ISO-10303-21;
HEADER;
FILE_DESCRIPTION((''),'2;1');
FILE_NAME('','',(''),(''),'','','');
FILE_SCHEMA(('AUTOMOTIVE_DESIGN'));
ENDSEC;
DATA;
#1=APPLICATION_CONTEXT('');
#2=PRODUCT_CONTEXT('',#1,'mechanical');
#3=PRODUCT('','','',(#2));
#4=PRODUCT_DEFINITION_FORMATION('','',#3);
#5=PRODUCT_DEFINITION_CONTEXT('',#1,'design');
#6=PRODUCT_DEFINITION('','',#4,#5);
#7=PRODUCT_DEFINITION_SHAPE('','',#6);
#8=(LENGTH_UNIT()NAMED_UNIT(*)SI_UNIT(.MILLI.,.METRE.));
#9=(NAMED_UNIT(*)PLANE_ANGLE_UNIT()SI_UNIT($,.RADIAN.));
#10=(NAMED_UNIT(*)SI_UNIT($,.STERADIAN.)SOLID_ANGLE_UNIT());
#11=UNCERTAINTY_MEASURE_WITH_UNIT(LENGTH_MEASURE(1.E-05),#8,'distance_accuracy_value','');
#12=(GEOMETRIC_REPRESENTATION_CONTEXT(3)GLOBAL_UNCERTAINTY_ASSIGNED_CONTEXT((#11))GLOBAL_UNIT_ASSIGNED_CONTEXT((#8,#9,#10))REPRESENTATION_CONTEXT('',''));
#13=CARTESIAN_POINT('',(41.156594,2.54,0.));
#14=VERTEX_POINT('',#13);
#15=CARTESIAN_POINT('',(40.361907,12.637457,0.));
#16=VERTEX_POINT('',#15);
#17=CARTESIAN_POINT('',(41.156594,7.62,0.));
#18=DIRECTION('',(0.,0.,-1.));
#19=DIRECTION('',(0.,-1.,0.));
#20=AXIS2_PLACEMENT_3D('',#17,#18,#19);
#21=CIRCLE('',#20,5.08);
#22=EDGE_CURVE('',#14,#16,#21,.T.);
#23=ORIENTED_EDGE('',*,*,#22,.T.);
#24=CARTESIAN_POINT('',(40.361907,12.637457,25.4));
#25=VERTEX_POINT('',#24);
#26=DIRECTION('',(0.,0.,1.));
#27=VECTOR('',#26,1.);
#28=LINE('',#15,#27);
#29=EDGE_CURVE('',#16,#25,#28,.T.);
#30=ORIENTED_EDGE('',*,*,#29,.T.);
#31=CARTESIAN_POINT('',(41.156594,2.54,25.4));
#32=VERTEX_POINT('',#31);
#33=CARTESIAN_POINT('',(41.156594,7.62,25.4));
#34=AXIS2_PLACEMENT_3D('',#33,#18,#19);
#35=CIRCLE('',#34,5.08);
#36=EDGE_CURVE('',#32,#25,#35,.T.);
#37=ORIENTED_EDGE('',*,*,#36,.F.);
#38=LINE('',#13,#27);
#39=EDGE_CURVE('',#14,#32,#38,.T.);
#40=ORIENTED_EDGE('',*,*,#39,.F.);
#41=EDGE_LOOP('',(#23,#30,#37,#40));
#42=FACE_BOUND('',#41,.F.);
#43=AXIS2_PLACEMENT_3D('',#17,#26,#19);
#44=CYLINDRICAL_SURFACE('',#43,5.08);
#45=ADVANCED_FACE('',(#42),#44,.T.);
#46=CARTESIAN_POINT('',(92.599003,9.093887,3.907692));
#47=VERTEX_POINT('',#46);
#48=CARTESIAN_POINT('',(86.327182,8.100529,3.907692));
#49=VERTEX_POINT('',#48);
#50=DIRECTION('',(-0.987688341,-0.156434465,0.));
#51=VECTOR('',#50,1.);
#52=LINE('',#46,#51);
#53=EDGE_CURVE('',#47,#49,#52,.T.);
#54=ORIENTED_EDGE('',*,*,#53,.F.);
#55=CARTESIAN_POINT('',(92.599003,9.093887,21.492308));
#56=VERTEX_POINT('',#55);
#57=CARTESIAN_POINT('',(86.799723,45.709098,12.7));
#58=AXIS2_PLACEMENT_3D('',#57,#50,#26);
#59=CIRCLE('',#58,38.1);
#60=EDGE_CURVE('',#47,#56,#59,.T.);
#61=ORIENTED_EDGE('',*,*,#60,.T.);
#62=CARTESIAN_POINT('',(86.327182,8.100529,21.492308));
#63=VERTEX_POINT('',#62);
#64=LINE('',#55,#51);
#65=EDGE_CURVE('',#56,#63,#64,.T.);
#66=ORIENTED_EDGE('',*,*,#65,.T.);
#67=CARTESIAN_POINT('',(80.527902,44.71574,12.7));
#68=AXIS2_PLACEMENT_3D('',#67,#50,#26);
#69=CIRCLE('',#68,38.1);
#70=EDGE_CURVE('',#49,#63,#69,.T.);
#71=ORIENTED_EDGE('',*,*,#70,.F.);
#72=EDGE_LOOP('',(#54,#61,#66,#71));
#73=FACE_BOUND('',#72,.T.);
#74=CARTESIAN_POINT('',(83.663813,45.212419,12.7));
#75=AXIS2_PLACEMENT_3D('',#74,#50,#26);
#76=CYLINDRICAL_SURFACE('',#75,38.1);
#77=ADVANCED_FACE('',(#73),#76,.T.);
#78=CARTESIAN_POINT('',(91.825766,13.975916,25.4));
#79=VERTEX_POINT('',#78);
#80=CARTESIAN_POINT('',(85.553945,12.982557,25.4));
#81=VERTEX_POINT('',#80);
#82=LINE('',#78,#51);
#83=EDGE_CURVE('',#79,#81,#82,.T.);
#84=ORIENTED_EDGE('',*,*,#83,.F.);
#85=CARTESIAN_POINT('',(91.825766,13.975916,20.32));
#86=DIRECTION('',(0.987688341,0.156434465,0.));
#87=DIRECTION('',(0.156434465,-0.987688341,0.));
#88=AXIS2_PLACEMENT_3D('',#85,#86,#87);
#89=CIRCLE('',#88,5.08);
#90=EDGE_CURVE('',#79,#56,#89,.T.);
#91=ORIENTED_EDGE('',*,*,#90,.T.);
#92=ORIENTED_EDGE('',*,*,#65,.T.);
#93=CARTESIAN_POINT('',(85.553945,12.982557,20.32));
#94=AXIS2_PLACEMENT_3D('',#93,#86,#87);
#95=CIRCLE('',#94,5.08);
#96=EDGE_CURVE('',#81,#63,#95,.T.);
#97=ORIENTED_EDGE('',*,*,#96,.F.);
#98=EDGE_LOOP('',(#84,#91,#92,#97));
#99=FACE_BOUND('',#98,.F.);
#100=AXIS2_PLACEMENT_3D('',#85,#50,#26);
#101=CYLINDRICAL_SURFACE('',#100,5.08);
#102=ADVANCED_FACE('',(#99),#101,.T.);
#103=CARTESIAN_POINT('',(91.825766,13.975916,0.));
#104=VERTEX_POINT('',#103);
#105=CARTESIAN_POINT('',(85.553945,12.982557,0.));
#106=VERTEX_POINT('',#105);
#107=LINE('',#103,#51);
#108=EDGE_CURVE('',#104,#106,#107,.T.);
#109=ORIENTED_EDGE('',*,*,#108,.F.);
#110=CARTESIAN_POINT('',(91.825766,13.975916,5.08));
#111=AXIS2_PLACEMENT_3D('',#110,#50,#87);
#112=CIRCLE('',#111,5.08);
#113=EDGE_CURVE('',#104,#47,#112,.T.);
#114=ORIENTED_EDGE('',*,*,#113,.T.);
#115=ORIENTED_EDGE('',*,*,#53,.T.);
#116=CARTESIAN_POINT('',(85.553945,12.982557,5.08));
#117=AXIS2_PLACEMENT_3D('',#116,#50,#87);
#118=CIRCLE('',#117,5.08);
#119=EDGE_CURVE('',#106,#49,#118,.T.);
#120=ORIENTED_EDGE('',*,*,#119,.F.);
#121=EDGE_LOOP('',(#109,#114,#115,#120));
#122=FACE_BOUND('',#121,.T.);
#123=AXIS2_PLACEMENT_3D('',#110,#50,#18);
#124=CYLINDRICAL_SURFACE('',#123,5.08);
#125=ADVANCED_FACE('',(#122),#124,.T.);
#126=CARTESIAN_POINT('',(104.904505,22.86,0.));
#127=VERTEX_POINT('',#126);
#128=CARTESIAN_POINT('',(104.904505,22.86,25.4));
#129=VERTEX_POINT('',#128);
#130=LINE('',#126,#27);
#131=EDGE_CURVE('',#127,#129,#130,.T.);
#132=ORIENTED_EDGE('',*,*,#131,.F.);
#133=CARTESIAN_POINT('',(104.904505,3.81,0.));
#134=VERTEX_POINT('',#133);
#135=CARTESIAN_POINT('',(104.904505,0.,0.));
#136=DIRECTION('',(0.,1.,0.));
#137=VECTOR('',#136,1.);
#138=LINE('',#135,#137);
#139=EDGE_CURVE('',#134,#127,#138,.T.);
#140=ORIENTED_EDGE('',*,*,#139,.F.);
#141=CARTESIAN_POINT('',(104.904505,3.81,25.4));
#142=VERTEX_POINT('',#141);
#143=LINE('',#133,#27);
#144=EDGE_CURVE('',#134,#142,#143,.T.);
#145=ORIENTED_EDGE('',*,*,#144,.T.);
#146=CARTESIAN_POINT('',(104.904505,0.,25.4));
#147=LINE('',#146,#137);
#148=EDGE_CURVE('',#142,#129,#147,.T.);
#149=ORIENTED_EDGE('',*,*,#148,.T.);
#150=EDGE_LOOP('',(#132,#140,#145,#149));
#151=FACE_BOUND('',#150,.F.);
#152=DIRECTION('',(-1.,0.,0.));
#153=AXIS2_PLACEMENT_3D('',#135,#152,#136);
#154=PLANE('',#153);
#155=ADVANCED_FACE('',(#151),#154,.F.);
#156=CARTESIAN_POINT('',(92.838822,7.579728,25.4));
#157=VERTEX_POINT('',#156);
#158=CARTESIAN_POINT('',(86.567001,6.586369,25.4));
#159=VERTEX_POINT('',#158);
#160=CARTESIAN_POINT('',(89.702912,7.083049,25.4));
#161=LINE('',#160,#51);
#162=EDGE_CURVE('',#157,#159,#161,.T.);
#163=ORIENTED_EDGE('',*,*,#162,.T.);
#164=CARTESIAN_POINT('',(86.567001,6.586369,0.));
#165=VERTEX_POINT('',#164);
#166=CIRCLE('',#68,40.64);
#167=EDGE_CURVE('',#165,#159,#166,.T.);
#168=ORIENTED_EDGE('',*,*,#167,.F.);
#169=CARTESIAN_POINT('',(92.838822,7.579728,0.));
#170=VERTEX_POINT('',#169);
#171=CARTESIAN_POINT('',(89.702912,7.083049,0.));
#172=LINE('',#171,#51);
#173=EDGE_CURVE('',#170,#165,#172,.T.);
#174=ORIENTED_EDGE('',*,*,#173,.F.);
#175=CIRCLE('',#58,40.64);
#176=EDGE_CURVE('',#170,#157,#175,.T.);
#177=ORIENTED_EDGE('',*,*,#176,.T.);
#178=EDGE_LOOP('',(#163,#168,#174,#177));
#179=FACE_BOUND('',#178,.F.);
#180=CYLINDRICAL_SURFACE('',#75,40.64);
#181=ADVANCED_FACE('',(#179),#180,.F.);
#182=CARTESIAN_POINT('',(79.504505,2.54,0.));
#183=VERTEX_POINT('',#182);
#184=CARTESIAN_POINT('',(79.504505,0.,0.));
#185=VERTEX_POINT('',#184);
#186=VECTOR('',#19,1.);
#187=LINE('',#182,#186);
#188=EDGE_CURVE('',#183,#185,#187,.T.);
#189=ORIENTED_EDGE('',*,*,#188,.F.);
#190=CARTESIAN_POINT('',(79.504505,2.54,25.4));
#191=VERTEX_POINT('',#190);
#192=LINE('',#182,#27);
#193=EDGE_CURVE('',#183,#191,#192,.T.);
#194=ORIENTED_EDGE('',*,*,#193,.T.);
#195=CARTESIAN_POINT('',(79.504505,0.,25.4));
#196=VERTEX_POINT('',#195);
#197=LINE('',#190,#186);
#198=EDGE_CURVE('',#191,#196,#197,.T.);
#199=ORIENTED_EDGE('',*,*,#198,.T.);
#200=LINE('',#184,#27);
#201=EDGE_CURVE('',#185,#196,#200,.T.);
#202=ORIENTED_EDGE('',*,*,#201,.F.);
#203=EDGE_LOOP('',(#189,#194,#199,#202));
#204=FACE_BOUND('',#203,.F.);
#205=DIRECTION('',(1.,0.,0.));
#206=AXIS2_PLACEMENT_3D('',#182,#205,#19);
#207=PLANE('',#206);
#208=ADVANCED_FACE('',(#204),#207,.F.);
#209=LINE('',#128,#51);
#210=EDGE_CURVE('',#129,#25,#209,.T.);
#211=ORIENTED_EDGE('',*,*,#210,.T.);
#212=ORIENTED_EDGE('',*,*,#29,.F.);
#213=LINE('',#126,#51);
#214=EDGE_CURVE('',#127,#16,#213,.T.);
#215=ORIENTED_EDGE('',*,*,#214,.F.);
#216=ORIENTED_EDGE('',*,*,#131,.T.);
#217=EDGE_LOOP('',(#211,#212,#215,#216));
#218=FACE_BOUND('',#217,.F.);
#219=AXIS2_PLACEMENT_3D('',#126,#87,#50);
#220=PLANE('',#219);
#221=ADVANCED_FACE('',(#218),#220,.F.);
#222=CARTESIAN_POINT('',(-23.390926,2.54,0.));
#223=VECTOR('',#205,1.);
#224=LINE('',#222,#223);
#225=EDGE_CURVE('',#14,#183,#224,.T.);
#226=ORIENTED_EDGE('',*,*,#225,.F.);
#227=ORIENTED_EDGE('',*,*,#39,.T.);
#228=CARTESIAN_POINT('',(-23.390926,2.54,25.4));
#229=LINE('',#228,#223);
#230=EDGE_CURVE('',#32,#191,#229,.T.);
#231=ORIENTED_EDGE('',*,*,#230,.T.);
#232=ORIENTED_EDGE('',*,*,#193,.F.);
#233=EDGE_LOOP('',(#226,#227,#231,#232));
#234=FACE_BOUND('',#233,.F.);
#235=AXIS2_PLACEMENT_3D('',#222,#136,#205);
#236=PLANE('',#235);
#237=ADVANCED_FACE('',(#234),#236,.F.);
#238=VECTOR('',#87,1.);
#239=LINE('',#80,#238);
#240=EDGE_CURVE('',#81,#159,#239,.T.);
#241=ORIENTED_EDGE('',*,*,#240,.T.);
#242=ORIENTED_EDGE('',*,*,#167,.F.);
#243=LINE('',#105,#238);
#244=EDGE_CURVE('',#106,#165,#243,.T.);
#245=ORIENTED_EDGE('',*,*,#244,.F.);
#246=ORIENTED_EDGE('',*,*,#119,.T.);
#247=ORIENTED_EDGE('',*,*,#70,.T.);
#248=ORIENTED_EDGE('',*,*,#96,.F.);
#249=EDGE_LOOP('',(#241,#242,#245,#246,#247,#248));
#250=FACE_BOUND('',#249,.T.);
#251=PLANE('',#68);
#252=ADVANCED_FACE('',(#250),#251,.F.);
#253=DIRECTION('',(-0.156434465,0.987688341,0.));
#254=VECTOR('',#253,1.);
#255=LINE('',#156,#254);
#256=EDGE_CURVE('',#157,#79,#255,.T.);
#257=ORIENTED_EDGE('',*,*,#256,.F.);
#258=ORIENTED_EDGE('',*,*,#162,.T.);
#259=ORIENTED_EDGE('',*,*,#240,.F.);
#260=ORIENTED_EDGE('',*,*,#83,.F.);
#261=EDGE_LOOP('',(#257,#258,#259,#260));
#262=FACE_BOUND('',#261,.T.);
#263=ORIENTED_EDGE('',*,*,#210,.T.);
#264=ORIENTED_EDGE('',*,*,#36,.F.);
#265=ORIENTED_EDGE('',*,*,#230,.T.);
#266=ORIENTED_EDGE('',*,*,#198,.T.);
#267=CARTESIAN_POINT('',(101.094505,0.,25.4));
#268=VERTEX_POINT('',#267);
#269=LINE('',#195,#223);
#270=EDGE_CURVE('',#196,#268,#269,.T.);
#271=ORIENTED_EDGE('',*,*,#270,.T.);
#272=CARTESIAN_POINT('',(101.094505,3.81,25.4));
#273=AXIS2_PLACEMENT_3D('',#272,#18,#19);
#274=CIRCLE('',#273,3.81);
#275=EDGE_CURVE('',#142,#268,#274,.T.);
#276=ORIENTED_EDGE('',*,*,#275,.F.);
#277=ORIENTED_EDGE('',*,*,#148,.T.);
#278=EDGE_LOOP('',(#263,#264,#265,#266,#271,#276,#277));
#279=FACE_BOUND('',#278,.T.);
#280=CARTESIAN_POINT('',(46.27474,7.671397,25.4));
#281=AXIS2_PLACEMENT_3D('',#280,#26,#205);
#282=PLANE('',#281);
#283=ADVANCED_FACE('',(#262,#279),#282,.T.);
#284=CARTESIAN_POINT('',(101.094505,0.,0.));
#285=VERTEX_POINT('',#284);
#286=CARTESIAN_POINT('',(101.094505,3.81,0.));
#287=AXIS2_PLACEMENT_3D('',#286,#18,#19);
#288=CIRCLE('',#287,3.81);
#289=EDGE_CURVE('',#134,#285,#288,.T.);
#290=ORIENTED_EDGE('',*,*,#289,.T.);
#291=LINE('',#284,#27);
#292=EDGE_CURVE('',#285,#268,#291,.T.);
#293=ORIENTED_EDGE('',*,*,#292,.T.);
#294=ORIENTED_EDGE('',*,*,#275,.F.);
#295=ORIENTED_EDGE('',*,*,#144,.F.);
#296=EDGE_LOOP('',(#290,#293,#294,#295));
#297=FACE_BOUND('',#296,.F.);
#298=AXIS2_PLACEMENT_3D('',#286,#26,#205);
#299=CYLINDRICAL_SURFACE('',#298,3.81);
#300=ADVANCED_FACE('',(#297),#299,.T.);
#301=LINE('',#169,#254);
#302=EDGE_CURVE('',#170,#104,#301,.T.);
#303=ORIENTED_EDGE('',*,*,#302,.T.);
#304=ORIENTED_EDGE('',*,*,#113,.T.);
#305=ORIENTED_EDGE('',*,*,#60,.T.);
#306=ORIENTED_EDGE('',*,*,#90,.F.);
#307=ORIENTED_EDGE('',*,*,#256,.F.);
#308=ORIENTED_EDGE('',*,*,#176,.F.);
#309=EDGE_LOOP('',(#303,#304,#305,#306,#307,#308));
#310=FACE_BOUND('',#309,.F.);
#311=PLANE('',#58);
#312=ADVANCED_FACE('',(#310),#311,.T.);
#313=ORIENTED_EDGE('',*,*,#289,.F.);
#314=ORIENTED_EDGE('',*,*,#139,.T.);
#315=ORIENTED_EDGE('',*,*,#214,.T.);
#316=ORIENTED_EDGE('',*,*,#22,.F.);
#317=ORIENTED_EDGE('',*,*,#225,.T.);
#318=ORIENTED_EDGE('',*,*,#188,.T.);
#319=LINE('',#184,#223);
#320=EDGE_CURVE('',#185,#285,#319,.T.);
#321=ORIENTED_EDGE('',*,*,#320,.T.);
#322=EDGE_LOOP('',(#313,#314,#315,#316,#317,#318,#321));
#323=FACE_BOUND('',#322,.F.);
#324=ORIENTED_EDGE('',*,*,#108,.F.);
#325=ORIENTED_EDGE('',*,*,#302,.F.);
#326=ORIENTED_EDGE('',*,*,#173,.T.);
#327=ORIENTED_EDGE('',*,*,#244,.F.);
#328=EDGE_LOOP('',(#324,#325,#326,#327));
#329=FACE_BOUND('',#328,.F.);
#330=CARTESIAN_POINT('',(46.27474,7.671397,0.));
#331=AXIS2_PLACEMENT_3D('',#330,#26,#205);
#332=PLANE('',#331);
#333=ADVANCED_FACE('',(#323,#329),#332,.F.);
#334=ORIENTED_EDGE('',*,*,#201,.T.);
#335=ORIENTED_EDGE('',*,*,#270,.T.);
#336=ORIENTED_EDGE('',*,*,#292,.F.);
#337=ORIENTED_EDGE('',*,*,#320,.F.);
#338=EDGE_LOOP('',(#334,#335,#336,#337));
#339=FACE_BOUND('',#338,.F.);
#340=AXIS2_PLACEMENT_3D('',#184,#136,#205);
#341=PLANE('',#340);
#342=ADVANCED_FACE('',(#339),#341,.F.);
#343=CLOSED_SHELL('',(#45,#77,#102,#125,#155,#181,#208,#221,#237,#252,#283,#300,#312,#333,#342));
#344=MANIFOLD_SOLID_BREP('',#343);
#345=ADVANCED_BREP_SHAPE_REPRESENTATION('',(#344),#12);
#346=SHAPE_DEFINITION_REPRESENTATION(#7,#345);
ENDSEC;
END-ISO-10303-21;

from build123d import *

# Parameters (mm, degrees)
F1_DEPTH = 25.4
F2_R     = 3.81
F5_W     = 6.35
F5_H     = 2.54
F7_R     = 5.08
F8_R     = 5.08


with BuildPart() as f1:
    # F0 (on Top) → F1 (new body)
    with BuildSketch(Plane.XY):
        Polygon((104.9045048051, 0), (104.9045048051, 2.54), (104.9045048051, 22.86), (-23.3909259731, 2.54), (79.5045048051, 2.54), (79.5045048051, 0), align=None)
    extrude(amount=F1_DEPTH)

    # F2
    f2_edges = [f1.edges().sort_by_distance(p)[0] for p in [
        (104.904505, 0, 12.7),
    ]]
    fillet(f2_edges, radius=F2_R)

    # F5 (on offset) → F6 (revolve, cut)
    with BuildSketch(Plane(origin=(-4.938303697, 31.1792224467, 0), x_dir=(-0.9876883406, -0.156434465, 0), z_dir=(-0.156434465, 0.9876883406, 0))):
        with Locations((-89.706552875, 52.07)):
            Rectangle(F5_W, F5_H)
    revolve(axis=Axis((58.4876587146, 41.2249080053, 12.7), (-0.9876883406, -0.156434465, 0)), mode=Mode.SUBTRACT)

    # F7
    f7_edges = [f1.edges().sort_by_distance(p)[0] for p in [
        (89.283099, 9.733642, 25.4),
        (89.283099, 9.733642, 0),
    ]]
    fillet(f7_edges, radius=F7_R)

    # F8
    f8_edges = [f1.edges().sort_by_distance(p)[0] for p in [
        (-23.390926, 2.54, 12.7),
    ]]
    fillet(f8_edges, radius=F8_R)


solid = f1.part
